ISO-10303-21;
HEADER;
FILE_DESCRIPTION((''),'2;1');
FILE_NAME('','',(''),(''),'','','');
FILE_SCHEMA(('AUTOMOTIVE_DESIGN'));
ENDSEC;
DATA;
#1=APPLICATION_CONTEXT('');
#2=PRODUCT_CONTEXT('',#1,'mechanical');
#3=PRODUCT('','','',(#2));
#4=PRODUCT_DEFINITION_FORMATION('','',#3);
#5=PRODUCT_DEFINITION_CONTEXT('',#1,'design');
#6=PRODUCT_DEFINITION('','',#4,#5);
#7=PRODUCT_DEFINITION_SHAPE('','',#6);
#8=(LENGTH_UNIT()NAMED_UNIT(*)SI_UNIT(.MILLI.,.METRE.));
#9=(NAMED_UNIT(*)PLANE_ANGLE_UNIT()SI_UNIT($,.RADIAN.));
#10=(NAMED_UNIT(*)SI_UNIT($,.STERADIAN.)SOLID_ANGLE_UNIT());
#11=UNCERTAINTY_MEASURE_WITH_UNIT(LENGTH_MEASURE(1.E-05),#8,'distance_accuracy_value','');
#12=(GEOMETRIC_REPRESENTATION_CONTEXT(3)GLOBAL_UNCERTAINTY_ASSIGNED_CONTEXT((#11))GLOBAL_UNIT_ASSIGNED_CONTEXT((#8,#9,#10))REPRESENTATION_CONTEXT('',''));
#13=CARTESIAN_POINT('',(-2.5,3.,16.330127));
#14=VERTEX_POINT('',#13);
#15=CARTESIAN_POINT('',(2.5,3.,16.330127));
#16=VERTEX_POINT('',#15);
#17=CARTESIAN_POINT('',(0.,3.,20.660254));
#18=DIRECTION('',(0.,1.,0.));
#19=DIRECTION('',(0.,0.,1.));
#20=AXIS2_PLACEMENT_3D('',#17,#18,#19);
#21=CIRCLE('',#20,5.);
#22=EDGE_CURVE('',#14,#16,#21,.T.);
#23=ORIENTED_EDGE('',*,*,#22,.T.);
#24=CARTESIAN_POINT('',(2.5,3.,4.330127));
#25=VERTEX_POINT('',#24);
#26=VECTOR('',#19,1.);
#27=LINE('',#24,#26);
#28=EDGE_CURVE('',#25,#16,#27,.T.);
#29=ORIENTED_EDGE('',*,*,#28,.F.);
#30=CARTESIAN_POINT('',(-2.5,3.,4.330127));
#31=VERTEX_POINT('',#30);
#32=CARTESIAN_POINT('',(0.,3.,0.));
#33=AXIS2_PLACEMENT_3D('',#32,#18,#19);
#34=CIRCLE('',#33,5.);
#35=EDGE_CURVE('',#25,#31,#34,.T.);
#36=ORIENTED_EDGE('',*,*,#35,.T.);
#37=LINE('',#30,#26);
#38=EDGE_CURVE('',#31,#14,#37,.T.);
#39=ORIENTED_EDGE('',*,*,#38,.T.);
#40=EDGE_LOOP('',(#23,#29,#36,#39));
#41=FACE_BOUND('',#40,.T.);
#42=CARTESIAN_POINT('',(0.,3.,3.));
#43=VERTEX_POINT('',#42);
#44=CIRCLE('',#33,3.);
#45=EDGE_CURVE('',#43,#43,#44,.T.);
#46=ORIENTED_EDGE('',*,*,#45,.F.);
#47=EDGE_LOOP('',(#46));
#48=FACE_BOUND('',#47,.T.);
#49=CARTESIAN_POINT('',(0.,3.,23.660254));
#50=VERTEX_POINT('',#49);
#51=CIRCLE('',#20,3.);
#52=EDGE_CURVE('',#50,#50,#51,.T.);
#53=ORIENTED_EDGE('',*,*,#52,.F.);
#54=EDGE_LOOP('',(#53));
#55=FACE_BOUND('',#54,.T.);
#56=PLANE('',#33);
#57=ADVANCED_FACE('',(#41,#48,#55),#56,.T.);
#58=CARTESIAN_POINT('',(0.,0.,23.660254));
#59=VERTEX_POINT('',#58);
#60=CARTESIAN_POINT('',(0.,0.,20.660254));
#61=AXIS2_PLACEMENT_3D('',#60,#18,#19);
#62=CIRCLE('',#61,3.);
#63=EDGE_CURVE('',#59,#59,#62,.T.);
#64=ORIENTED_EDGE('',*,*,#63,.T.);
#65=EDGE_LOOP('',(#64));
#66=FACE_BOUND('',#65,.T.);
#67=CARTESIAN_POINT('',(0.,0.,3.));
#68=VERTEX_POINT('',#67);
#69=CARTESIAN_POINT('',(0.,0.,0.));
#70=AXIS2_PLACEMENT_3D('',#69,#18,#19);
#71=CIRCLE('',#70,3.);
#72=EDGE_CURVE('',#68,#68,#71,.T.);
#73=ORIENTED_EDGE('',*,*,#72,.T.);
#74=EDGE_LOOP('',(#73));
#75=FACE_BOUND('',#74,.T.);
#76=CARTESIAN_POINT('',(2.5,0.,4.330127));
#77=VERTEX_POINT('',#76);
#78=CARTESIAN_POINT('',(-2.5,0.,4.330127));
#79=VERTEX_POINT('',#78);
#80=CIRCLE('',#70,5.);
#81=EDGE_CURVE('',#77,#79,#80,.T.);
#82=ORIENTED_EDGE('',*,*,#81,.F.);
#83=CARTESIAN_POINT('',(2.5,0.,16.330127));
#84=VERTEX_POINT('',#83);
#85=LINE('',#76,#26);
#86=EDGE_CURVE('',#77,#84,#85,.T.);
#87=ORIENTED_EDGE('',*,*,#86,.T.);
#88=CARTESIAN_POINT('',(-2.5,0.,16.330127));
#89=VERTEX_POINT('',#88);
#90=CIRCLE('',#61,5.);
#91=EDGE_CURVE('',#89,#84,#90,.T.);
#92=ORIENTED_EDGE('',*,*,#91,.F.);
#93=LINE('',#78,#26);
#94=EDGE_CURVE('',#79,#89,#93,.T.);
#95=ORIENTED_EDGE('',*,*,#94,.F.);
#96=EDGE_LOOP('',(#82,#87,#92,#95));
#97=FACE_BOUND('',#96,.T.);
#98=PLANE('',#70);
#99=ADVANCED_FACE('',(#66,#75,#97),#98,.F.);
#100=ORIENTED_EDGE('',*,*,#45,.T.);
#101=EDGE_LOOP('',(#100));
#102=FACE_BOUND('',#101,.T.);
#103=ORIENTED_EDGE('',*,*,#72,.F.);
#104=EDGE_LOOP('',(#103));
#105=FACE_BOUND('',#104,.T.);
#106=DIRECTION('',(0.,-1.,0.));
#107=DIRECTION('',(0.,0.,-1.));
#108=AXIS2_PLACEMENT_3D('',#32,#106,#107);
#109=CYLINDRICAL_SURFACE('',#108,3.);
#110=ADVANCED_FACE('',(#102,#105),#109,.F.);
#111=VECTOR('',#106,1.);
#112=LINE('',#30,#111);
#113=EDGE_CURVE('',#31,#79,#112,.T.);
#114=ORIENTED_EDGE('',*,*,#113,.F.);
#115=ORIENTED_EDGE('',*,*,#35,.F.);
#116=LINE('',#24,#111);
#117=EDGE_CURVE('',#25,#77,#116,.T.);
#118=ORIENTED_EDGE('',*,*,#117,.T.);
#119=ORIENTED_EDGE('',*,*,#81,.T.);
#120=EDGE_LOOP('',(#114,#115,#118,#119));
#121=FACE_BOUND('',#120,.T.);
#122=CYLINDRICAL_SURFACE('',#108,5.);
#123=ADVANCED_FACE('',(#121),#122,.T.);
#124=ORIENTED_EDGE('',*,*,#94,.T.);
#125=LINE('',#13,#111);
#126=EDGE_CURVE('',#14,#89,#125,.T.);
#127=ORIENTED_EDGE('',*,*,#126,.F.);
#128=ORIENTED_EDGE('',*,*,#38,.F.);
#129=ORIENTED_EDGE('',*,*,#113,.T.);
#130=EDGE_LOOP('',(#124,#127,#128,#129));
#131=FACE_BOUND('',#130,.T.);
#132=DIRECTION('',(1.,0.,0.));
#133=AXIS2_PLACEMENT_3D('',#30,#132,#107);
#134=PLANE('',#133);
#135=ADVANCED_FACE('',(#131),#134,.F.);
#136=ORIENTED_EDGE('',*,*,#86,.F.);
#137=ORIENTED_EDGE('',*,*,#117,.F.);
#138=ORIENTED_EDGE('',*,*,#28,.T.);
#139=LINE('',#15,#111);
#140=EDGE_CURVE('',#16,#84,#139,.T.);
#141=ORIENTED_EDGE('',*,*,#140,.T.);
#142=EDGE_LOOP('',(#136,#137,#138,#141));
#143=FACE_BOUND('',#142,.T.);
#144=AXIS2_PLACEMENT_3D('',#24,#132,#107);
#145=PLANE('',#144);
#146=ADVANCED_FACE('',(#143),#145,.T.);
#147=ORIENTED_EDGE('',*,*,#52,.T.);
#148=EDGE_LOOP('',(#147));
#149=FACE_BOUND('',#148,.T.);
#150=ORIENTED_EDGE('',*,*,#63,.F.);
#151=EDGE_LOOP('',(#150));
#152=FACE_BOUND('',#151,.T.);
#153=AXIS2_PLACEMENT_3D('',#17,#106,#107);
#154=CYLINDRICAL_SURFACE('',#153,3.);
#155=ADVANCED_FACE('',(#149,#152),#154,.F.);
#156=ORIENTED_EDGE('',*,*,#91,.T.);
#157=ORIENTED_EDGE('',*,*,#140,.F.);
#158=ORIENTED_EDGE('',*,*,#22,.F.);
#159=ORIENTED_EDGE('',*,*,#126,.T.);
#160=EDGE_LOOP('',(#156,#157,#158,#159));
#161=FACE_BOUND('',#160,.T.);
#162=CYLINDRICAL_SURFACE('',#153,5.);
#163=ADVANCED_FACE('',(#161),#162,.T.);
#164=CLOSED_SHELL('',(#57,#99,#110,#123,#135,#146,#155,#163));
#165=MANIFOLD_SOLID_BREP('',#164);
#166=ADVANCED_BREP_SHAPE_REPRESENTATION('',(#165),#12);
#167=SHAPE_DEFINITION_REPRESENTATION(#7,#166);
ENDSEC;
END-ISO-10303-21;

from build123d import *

# Parameters (mm, degrees)
SKETCH_2_R      = 5
SKETCH_2_R_2    = 3
SKETCH_2_W      = 5
SKETCH_2_H      = 12
EXTRUDE_1_DEPTH = 3


with BuildPart() as part:
    # 草图2 → 凸台-拉伸1 (new body)
    # profile 1 of 3: a face of its own
    with BuildSketch(Plane(origin=(0, 0, 0), x_dir=(1, 0, 0), z_dir=(0, 1, 0))):
        Circle(SKETCH_2_R)
        with Locations(Location((0, 0, 0), (0, 0, 270))):
            Circle(SKETCH_2_R_2, mode=Mode.SUBTRACT)
    # profile 2 of 3: a face of its own
    with BuildSketch(Plane(origin=(0, 0, 0), x_dir=(1, 0, 0), z_dir=(0, 1, 0))):
        with Locations((0, -20.660254038)):
            Circle(SKETCH_2_R)
        with Locations(Location((0, -20.660254038, 0), (0, 0, 270))):
            Circle(SKETCH_2_R_2, mode=Mode.SUBTRACT)
    # profile 3 of 3: a face of its own
    with BuildSketch(Plane(origin=(0, 0, 0), x_dir=(1, 0, 0), z_dir=(0, 1, 0))):
        with Locations((0, -10.330127019)):
            Rectangle(SKETCH_2_W, SKETCH_2_H)
    extrude(amount=EXTRUDE_1_DEPTH)


solid = part.part
